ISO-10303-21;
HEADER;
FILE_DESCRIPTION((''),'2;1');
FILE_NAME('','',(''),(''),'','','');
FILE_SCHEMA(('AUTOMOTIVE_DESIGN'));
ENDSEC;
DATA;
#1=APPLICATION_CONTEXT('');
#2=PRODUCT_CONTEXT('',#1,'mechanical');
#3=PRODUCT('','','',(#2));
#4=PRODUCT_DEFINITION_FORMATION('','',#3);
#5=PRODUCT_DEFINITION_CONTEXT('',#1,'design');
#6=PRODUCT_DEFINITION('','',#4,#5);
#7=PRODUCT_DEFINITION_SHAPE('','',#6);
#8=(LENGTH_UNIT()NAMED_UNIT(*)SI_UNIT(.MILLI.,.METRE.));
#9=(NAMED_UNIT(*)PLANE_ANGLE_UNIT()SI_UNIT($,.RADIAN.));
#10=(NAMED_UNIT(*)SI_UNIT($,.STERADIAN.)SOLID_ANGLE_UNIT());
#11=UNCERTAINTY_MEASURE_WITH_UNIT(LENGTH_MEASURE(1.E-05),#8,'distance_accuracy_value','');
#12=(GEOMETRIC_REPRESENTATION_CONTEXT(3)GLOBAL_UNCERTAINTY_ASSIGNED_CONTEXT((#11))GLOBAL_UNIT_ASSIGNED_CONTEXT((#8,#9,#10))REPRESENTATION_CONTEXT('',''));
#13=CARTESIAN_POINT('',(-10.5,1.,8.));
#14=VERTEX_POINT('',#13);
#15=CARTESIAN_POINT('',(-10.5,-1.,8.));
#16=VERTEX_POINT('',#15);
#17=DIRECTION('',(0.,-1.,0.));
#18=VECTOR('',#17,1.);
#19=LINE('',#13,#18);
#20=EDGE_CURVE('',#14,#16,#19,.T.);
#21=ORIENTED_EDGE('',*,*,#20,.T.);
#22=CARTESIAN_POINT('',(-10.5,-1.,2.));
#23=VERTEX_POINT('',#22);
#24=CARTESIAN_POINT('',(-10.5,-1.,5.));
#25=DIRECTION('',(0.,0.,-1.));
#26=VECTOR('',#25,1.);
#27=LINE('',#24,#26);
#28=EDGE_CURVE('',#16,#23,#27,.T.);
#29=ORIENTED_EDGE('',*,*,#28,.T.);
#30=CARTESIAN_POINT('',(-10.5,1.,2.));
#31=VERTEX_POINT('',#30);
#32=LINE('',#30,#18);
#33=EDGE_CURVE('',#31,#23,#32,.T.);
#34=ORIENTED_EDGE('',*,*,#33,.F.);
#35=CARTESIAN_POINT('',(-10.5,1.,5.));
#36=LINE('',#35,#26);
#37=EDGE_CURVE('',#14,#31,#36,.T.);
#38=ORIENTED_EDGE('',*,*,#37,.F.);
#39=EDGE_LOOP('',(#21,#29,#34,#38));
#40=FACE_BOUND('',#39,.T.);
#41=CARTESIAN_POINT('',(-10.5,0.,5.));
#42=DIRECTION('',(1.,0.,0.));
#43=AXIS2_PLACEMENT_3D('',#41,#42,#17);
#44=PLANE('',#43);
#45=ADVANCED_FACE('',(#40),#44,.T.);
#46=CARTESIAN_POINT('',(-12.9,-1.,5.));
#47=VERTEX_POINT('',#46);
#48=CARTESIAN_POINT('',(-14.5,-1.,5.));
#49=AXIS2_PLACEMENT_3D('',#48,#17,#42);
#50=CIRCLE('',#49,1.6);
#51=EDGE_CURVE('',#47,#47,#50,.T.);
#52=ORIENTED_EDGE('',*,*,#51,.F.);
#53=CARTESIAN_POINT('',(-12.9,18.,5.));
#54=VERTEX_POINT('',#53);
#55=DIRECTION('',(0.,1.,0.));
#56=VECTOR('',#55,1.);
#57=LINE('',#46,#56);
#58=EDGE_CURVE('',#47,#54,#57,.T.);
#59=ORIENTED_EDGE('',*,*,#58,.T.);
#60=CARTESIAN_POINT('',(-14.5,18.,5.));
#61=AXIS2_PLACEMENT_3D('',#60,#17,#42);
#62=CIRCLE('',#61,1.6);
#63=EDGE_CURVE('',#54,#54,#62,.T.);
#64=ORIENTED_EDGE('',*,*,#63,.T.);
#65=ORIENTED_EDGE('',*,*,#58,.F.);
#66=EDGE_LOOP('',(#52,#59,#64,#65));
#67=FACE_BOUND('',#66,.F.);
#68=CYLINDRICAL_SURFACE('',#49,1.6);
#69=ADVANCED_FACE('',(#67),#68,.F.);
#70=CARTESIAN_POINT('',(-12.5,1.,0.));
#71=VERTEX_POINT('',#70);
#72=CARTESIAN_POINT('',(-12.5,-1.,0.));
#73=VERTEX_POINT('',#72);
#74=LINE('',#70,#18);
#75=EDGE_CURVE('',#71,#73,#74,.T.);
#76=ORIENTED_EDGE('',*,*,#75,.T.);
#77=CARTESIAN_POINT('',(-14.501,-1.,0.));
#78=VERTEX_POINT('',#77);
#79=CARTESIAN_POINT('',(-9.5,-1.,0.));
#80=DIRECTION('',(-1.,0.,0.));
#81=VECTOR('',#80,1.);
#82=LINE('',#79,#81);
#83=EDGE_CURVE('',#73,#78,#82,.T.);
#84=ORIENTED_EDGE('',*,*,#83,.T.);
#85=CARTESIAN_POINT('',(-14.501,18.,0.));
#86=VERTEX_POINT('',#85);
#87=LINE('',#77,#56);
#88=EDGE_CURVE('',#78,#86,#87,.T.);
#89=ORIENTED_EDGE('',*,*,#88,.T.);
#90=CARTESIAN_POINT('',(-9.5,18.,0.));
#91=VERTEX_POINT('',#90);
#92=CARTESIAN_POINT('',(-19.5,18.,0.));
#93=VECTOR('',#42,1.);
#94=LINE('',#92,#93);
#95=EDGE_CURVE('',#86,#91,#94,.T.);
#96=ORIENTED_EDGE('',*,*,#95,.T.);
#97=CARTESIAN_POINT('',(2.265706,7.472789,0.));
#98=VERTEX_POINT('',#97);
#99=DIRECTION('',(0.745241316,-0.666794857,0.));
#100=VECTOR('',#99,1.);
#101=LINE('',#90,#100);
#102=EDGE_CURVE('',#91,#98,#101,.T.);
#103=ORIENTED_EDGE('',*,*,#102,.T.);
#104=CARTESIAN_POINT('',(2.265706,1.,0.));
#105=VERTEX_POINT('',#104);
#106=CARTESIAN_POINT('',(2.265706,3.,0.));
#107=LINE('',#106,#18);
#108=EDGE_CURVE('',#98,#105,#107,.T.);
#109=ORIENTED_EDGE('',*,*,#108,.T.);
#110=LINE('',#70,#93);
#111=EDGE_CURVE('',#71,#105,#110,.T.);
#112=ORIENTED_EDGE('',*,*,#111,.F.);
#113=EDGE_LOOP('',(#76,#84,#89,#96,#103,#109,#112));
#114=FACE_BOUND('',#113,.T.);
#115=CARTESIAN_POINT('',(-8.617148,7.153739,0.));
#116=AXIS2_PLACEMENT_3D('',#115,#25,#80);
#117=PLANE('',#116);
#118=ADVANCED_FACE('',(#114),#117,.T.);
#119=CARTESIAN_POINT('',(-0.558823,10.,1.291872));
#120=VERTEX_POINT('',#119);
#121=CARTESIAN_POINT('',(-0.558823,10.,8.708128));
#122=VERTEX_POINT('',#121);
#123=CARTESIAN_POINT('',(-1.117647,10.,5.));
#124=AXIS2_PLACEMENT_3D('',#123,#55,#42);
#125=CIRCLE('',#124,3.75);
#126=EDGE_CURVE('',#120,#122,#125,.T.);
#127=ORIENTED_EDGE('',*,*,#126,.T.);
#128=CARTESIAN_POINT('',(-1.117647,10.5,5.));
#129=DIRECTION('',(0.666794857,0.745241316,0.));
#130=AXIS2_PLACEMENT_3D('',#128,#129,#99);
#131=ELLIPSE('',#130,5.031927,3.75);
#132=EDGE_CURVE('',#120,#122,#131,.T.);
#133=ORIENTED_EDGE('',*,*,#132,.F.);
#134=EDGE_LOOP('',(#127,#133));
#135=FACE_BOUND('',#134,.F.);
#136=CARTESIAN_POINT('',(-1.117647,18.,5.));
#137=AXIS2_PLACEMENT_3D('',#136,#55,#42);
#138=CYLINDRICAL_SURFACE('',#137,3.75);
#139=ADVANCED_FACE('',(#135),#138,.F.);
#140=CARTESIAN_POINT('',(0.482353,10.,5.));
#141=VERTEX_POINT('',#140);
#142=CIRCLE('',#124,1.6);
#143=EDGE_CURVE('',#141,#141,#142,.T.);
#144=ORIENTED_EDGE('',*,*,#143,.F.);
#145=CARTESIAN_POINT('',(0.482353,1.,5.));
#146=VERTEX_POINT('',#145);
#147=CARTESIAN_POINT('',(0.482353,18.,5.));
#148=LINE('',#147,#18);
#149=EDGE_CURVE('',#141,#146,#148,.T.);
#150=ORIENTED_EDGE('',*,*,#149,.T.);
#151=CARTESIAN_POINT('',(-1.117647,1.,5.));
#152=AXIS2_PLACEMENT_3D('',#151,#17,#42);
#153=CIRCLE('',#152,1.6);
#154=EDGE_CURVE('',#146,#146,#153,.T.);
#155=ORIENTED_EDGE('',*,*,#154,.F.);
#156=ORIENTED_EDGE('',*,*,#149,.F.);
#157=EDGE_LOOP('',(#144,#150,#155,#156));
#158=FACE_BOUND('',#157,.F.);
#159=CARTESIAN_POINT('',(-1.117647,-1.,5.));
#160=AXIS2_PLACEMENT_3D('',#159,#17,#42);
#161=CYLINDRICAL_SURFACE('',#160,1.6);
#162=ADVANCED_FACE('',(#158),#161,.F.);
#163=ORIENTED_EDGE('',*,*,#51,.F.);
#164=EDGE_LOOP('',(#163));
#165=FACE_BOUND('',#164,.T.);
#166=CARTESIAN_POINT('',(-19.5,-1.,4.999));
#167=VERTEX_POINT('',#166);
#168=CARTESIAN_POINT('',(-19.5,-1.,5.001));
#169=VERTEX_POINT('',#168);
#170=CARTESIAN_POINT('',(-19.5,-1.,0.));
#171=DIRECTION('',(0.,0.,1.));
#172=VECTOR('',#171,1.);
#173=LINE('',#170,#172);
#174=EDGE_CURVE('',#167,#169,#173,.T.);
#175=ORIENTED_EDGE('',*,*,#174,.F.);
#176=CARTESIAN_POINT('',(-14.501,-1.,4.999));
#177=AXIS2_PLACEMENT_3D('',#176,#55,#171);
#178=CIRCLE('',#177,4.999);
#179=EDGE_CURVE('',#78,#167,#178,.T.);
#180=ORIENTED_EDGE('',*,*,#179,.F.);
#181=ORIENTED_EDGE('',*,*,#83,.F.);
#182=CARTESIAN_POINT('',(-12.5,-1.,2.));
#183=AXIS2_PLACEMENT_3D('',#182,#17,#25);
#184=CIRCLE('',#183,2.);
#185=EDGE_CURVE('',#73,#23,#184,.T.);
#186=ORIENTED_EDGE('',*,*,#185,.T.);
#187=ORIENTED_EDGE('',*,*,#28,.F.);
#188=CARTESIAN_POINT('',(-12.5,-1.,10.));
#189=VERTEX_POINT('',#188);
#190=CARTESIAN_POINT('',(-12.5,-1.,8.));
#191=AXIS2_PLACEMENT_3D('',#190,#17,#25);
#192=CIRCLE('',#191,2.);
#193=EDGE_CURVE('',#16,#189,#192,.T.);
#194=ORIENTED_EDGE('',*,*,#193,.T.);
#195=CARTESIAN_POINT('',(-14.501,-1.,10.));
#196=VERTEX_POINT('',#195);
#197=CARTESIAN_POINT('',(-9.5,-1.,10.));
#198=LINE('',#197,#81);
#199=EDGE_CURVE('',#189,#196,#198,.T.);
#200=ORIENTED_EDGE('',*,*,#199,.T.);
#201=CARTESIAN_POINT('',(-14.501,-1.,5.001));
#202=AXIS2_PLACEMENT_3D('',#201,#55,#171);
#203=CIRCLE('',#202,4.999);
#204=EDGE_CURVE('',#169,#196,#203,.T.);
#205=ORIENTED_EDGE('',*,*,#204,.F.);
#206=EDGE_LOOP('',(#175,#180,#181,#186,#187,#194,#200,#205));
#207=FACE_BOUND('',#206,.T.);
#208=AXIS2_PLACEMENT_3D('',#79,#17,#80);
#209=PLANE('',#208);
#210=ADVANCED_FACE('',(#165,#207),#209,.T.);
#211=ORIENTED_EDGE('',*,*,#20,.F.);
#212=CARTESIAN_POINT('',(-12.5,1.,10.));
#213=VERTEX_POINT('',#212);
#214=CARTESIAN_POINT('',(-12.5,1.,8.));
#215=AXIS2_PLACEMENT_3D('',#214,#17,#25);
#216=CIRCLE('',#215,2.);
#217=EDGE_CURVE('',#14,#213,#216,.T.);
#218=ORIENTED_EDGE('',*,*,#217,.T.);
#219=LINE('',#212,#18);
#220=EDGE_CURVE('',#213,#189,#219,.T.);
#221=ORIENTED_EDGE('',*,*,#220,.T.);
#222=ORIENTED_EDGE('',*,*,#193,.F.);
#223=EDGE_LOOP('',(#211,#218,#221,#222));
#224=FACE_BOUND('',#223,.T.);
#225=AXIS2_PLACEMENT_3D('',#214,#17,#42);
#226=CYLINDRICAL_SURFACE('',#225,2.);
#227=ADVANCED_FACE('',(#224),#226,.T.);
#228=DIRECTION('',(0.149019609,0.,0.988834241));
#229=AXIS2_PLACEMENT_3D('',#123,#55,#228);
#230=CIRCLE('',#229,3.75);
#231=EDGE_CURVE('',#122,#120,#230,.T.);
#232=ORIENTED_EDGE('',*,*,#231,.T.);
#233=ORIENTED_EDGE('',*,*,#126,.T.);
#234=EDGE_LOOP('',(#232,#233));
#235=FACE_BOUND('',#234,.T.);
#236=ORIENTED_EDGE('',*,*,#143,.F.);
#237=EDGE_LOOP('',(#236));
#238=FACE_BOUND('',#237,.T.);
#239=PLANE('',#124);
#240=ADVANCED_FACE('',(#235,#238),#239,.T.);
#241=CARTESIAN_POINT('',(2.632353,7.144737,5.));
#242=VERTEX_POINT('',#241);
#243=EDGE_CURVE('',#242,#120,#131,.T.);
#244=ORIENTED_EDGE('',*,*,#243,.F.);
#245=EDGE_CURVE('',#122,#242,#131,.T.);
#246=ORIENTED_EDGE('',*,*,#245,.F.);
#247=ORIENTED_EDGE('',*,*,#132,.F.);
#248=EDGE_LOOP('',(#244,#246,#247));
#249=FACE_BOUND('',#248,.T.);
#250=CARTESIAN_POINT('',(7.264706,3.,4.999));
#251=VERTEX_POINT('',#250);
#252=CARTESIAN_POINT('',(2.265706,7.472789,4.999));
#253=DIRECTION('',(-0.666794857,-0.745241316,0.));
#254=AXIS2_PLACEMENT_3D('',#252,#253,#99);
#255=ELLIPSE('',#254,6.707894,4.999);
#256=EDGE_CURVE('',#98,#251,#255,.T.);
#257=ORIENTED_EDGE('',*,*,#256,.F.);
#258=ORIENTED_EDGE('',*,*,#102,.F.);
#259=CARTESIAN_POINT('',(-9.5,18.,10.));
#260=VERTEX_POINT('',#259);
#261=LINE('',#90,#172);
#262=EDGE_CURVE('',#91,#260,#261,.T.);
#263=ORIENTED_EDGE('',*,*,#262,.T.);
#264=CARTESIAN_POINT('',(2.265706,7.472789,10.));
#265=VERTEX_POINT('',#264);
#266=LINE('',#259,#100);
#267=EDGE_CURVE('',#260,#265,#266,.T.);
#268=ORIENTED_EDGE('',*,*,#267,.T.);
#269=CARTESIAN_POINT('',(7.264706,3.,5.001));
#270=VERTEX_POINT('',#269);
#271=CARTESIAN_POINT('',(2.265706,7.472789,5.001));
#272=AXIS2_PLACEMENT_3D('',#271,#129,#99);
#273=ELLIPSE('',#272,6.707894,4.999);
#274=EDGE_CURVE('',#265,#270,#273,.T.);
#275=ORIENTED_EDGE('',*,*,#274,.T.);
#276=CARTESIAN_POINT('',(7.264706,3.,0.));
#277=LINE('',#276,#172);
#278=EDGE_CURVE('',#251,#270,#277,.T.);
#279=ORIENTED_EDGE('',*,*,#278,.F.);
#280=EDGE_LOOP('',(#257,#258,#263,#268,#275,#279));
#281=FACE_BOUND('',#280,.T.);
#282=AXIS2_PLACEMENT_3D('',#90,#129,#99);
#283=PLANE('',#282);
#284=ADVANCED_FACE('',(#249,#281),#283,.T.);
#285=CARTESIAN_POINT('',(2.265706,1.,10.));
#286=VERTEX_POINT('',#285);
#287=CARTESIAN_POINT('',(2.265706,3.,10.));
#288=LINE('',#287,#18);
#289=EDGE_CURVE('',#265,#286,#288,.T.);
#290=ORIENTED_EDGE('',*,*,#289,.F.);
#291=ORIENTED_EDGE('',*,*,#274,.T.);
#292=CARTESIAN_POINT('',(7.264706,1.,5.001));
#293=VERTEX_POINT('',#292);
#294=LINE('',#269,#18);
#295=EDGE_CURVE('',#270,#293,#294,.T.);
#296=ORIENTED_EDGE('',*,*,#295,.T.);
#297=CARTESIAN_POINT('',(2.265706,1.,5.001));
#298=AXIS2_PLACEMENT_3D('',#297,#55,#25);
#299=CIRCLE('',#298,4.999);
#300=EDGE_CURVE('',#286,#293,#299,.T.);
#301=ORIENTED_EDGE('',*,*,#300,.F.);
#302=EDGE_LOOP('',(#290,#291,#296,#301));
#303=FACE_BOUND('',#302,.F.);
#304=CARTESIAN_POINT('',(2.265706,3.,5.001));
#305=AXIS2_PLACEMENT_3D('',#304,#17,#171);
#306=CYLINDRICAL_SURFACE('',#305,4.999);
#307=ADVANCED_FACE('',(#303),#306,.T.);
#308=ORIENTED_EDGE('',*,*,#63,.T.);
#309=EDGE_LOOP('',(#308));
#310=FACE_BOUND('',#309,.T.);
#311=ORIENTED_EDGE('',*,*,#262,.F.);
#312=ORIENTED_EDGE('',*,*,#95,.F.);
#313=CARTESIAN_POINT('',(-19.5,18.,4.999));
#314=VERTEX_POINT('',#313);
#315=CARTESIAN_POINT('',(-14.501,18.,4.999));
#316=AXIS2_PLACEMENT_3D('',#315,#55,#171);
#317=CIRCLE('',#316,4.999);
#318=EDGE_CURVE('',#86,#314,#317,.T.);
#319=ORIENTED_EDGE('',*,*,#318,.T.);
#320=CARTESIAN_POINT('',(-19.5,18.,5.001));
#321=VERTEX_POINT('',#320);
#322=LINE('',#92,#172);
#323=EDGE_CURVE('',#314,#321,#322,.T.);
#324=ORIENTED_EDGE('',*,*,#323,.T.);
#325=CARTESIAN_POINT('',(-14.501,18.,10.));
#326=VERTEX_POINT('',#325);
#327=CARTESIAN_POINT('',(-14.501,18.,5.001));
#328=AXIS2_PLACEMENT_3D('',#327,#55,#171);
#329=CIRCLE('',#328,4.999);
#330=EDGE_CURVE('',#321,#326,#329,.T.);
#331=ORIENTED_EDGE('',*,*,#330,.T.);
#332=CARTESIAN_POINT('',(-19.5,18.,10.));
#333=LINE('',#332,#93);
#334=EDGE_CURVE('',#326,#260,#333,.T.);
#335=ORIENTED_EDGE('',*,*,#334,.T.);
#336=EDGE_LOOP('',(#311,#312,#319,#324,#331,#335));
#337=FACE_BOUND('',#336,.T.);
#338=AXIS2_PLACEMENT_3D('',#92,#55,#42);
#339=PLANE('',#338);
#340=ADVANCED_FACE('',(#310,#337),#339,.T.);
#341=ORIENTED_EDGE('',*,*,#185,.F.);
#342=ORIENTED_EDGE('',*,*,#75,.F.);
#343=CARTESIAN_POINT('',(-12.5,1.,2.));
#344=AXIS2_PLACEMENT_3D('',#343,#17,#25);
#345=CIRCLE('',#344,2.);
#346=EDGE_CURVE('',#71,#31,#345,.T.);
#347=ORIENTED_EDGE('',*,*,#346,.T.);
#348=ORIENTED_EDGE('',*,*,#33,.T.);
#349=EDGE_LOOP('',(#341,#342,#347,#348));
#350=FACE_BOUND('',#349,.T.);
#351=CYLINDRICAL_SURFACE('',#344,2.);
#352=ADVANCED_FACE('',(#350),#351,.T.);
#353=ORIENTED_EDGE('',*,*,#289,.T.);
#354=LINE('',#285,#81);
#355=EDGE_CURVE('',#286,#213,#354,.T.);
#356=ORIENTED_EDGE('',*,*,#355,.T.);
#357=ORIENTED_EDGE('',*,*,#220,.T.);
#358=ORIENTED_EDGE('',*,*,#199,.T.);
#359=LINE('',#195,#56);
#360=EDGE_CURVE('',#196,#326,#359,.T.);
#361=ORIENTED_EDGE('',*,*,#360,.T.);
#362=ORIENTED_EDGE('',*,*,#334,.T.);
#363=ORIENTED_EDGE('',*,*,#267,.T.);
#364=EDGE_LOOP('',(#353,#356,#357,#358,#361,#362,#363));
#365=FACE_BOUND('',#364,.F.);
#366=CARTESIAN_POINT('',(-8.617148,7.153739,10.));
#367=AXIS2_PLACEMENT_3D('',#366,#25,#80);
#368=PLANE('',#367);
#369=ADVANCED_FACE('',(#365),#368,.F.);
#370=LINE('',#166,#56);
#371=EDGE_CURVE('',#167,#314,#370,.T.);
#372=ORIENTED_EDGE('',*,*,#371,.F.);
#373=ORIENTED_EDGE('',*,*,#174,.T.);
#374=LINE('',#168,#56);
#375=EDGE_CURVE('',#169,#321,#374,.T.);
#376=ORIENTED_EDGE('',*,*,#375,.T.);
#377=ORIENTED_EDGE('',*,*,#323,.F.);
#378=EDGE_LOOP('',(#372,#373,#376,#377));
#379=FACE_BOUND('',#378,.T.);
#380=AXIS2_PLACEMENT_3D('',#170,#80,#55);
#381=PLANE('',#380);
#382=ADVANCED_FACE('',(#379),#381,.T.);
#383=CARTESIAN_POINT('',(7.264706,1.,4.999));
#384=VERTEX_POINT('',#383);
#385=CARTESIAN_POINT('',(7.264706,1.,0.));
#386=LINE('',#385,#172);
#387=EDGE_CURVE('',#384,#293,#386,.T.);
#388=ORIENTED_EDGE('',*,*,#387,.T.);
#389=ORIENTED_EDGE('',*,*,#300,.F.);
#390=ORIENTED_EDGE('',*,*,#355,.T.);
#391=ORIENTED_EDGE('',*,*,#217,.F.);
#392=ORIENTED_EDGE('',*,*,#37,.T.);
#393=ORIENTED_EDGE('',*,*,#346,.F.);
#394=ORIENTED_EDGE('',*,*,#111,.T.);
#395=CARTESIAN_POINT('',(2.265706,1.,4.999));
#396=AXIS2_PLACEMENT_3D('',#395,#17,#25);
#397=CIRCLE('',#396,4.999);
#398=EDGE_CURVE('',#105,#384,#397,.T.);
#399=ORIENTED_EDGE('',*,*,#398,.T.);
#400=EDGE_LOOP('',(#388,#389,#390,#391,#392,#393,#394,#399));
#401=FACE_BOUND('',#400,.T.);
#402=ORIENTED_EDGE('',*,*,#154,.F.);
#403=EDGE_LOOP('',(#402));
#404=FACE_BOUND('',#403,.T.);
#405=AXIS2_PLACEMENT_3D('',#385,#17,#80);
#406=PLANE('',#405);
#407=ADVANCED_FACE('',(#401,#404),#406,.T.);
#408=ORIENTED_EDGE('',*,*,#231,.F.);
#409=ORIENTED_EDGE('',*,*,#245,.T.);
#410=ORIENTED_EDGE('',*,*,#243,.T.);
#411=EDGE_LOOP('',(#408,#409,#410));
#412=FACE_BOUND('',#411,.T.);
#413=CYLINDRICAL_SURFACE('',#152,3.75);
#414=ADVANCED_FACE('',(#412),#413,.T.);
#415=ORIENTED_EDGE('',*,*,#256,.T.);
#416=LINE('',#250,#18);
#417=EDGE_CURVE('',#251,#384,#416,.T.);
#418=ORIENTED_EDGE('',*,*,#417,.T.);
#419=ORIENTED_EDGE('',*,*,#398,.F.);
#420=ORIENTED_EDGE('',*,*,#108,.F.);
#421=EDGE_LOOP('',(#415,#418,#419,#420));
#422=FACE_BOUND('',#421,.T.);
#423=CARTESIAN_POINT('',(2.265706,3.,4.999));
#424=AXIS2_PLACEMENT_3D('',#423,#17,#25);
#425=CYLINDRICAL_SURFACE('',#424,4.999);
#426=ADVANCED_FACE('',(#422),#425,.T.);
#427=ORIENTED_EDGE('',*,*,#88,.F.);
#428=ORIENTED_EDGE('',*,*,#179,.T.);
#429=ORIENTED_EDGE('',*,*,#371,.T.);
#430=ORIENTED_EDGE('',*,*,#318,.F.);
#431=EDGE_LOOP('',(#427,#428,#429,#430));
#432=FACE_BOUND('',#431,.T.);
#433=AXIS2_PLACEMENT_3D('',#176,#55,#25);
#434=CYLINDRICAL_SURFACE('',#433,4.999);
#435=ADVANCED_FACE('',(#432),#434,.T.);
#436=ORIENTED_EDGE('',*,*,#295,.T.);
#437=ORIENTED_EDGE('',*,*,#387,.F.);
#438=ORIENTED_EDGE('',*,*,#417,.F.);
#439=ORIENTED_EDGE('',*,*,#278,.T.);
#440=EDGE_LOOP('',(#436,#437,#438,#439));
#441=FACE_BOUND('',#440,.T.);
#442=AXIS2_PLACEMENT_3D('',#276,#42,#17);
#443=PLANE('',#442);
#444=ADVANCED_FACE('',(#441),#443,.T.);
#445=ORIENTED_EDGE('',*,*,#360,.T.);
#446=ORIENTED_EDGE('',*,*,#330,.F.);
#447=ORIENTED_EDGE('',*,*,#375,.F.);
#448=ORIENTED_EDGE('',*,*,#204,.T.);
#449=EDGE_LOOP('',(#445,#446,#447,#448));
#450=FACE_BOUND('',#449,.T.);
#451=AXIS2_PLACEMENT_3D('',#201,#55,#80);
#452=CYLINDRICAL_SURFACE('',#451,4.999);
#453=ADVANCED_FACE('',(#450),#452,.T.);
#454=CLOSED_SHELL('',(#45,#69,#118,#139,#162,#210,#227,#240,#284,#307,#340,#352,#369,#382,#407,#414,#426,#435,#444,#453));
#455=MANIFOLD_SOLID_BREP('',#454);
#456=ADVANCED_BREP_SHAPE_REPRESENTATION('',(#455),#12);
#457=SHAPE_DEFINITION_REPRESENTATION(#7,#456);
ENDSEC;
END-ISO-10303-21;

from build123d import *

# Parameters (mm, degrees)
PAD_DEPTH         = 10
SKETCH001_R       = 1.6
POCKET_DEPTH      = 19.001
SKETCH003_R       = 3.75
SKETCH003_R_2     = 1.6
PAD001_DEPTH      = 17
PAD001_FACE15_R   = 3.75
PAD001_FACE15_R_2 = 1.6
POCKET001_DEPTH   = 8
FILLET_R          = 4.999
FILLET_FACE4_W    = 2
FILLET_FACE4_H    = 10
POCKET002_DEPTH   = 1
FILLET001_R       = 2


with BuildPart() as part:
    # Sketch → Pad (new body)
    with BuildSketch(Plane.XY):
        Polygon((-19.5, -1), (-19.5, 18), (-9.5, 18), (7.264706, 3), (7.264706, 1), (-9.5, 1), (-9.5, -1), align=None)
    extrude(amount=PAD_DEPTH)

    # Sketch001 (on Face3 of Pad) → Pocket (cut, through all)
    with BuildSketch(Plane.XZ.offset(1)):
        with Locations((-14.5, 5)):
            Circle(SKETCH001_R)
        with Locations((-1.117647, 5)):
            Circle(SKETCH001_R)
    extrude(amount=-POCKET_DEPTH, mode=Mode.SUBTRACT)

    # Sketch003 (on Face1 of Pocket) → Pad001 (join)
    with BuildSketch(Plane.XZ.offset(-1)):
        with Locations((-1.117647, 5)):
            Circle(SKETCH003_R)
        with Locations((-1.117647, 5)):
            Circle(SKETCH003_R_2, mode=Mode.SUBTRACT)
    extrude(amount=-PAD001_DEPTH)

    # Pad001 Face15 → Pocket001 (cut)
    with BuildSketch(Plane(origin=(-1.117647, 18, 5), x_dir=(1, 0, 0), z_dir=(0, 1, 0))):
        Circle(PAD001_FACE15_R)
        Circle(PAD001_FACE15_R_2, mode=Mode.SUBTRACT)
    extrude(amount=-POCKET001_DEPTH, mode=Mode.SUBTRACT)

    # Fillet
    fillet_edges = [part.edges().sort_by_distance(p)[0] for p in [
        (-19.5, 8.5, 10),
        (-19.5, 8.5, 0),
        (7.264706, 2, 10),
        (7.264706, 2, 0),
    ]]
    fillet(fillet_edges, radius=FILLET_R)

    # Fillet Face4 → Pocket002 (cut)
    with BuildSketch(Plane(origin=(-9.5, 0, 5), x_dir=(0, -1, 0), z_dir=(1, 0, 0))):
        Rectangle(FILLET_FACE4_W, FILLET_FACE4_H)
    extrude(amount=-POCKET002_DEPTH, mode=Mode.SUBTRACT)

    # Fillet001
    fillet001_edges = [part.edges().sort_by_distance(p)[0] for p in [
        (-10.5, 0, 0),
        (-10.5, 0, 10),
    ]]
    fillet(fillet001_edges, radius=FILLET001_R)


solid = part.part
